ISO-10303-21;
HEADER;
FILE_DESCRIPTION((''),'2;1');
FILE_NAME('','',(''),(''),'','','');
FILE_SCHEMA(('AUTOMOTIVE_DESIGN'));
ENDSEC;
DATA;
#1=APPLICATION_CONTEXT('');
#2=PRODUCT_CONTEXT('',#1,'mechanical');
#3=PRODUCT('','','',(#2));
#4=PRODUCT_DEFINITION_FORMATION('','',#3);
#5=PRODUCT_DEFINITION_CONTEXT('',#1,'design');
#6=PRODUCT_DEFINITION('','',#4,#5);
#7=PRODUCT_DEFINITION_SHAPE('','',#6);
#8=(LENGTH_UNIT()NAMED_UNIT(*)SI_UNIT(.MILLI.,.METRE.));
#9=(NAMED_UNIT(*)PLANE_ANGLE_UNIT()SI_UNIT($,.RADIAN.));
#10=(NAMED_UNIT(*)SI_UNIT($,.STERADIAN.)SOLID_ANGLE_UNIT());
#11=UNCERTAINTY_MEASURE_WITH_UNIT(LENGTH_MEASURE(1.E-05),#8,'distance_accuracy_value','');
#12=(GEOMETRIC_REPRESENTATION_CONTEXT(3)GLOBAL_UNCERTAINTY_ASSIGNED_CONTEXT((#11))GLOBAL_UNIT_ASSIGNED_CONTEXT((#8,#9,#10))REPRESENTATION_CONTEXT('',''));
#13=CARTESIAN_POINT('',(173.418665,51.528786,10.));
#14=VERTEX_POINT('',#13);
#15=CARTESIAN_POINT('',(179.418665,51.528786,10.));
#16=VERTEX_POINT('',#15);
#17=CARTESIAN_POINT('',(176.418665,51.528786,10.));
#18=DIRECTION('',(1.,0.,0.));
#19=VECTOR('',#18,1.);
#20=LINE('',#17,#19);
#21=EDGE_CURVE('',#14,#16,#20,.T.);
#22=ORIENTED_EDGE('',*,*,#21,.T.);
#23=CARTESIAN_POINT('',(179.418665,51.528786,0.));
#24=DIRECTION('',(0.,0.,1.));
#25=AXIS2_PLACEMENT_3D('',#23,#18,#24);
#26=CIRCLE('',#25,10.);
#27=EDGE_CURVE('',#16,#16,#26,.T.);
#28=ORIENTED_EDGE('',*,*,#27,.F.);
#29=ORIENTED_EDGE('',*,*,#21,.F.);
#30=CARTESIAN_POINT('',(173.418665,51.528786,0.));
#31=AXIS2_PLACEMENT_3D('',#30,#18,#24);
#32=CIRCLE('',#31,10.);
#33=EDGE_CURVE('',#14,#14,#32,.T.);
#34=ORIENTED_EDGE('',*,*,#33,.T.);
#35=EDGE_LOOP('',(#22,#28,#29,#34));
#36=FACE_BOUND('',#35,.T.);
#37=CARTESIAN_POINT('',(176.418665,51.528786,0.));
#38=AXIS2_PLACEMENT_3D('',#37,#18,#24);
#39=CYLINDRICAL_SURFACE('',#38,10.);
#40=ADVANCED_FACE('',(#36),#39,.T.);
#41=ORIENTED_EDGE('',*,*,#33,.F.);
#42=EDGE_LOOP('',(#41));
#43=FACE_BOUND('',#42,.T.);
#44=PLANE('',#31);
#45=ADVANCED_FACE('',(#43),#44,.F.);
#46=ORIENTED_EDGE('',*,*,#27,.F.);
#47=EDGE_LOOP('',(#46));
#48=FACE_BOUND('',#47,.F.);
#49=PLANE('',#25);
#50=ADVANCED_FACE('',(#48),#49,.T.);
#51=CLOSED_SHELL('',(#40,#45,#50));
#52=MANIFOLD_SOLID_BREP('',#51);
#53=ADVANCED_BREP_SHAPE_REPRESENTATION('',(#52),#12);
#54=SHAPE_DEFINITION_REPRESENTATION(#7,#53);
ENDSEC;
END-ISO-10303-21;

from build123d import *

# Parameters (mm, degrees)
SKETCH_1_W = 5.999999994
SKETCH_1_H = 9.99999999


with BuildPart() as part:
    # 草图1 → 旋转1 (revolve)
    with BuildSketch(Plane.XY, mode=Mode.PRIVATE) as revolve_1_sk:
        with Locations((176.41866453, 56.528786176)):
            Rectangle(SKETCH_1_W, SKETCH_1_H)
    revolve(revolve_1_sk.sketch.rotate(Axis((169.333867826, 51.528786181, 0), (1, 0, 0)), 90), axis=Axis((169.333867826, 51.528786181, 0), (1, 0, 0)))  # turned: the seam where the file's is


solid = part.part
